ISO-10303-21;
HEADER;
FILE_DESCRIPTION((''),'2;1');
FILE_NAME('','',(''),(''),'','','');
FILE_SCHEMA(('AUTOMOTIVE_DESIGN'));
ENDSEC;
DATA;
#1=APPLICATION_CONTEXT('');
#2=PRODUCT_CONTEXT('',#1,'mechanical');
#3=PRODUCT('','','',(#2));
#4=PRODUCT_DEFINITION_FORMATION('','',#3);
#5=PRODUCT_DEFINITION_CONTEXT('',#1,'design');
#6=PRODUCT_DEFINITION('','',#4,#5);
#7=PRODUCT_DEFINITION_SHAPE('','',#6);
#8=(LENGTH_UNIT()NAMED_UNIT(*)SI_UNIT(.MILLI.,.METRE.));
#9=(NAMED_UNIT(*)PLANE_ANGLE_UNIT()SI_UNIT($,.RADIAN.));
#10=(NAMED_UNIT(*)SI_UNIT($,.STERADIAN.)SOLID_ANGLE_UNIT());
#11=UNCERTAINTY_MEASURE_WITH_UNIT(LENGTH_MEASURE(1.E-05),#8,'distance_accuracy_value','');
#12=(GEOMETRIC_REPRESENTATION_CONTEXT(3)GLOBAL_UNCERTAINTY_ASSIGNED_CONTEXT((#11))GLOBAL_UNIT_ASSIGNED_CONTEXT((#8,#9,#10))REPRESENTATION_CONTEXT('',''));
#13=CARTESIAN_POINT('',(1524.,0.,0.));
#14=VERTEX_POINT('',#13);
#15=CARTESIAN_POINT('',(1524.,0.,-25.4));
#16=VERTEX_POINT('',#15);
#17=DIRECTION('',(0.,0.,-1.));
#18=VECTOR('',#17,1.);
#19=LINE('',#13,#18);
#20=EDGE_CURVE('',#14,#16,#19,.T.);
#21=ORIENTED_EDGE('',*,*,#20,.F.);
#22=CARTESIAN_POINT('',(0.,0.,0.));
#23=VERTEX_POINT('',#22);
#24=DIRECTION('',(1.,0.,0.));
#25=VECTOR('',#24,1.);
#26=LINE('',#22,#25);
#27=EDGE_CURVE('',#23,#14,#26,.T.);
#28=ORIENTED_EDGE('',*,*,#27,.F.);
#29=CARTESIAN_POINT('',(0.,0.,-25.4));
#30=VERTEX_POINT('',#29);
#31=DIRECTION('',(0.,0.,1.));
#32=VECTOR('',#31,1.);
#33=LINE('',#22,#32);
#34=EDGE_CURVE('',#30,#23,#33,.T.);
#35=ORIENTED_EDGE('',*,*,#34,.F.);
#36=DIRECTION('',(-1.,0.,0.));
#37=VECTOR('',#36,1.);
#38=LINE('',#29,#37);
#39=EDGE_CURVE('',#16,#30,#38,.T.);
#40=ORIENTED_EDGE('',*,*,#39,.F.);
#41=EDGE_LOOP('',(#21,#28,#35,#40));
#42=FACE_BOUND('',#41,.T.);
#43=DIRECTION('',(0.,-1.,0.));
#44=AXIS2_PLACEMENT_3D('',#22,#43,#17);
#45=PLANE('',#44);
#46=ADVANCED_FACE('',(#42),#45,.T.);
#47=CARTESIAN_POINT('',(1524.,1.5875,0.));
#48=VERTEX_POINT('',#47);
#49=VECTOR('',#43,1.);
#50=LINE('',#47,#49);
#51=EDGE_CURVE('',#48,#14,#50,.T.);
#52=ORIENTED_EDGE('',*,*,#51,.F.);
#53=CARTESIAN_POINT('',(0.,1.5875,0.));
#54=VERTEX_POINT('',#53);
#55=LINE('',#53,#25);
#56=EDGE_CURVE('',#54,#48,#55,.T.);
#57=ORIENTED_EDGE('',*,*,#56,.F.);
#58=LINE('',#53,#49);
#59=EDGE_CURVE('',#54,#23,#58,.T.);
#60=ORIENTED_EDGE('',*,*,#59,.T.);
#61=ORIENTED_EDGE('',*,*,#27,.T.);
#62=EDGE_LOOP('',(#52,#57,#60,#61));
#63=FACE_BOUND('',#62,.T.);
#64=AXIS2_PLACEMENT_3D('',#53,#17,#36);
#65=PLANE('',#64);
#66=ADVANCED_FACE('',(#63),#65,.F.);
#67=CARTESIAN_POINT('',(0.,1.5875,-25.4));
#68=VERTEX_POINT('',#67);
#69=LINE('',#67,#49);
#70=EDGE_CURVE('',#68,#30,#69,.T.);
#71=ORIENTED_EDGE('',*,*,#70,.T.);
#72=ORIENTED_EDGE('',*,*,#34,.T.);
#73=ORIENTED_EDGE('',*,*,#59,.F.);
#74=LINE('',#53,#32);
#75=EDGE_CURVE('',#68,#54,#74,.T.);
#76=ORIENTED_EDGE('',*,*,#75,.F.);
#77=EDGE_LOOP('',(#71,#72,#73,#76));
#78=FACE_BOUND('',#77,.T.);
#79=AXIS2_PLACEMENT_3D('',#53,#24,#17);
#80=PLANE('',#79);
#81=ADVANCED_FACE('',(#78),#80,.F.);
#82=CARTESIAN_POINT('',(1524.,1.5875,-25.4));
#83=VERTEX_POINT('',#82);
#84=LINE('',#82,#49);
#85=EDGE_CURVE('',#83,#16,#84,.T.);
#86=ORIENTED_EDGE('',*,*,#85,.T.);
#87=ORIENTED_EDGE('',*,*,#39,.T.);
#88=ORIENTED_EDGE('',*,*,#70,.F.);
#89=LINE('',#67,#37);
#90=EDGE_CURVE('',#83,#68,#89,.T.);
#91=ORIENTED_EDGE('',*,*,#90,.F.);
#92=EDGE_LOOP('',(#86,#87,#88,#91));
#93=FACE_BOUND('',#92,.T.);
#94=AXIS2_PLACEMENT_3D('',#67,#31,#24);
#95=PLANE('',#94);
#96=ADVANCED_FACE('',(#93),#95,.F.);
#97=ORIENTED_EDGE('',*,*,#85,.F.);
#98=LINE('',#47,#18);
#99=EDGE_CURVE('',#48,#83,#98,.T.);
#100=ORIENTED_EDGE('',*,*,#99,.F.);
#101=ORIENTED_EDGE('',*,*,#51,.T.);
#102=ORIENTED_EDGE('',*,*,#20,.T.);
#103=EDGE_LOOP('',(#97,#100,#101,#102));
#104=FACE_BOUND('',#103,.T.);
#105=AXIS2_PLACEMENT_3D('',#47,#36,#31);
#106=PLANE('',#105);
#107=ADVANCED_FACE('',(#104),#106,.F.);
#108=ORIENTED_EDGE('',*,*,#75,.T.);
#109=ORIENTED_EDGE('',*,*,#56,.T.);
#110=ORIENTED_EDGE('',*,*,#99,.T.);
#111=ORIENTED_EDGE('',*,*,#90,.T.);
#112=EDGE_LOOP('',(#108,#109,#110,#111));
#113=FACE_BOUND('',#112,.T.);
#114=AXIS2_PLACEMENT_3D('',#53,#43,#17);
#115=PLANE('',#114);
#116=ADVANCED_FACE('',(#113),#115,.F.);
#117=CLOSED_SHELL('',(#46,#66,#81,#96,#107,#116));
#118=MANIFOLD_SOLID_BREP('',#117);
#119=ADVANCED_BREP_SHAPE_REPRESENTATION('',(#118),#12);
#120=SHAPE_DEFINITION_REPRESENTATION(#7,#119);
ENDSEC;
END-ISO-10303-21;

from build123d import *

# Parameters (mm, degrees)
SKETCH1_W           = 1524
SKETCH1_H           = 25.4
BOSS_EXTRUDE1_DEPTH = 1.5875


with BuildPart() as part:
    # Sketch1 → Boss-Extrude1 (new body)
    with BuildSketch(Plane(origin=(0, 0, 0), x_dir=(1, 0, 0), z_dir=(0, 1, 0))):
        with Locations((762, 12.7)):
            Rectangle(SKETCH1_W, SKETCH1_H)
    extrude(amount=BOSS_EXTRUDE1_DEPTH)


solid = part.part
